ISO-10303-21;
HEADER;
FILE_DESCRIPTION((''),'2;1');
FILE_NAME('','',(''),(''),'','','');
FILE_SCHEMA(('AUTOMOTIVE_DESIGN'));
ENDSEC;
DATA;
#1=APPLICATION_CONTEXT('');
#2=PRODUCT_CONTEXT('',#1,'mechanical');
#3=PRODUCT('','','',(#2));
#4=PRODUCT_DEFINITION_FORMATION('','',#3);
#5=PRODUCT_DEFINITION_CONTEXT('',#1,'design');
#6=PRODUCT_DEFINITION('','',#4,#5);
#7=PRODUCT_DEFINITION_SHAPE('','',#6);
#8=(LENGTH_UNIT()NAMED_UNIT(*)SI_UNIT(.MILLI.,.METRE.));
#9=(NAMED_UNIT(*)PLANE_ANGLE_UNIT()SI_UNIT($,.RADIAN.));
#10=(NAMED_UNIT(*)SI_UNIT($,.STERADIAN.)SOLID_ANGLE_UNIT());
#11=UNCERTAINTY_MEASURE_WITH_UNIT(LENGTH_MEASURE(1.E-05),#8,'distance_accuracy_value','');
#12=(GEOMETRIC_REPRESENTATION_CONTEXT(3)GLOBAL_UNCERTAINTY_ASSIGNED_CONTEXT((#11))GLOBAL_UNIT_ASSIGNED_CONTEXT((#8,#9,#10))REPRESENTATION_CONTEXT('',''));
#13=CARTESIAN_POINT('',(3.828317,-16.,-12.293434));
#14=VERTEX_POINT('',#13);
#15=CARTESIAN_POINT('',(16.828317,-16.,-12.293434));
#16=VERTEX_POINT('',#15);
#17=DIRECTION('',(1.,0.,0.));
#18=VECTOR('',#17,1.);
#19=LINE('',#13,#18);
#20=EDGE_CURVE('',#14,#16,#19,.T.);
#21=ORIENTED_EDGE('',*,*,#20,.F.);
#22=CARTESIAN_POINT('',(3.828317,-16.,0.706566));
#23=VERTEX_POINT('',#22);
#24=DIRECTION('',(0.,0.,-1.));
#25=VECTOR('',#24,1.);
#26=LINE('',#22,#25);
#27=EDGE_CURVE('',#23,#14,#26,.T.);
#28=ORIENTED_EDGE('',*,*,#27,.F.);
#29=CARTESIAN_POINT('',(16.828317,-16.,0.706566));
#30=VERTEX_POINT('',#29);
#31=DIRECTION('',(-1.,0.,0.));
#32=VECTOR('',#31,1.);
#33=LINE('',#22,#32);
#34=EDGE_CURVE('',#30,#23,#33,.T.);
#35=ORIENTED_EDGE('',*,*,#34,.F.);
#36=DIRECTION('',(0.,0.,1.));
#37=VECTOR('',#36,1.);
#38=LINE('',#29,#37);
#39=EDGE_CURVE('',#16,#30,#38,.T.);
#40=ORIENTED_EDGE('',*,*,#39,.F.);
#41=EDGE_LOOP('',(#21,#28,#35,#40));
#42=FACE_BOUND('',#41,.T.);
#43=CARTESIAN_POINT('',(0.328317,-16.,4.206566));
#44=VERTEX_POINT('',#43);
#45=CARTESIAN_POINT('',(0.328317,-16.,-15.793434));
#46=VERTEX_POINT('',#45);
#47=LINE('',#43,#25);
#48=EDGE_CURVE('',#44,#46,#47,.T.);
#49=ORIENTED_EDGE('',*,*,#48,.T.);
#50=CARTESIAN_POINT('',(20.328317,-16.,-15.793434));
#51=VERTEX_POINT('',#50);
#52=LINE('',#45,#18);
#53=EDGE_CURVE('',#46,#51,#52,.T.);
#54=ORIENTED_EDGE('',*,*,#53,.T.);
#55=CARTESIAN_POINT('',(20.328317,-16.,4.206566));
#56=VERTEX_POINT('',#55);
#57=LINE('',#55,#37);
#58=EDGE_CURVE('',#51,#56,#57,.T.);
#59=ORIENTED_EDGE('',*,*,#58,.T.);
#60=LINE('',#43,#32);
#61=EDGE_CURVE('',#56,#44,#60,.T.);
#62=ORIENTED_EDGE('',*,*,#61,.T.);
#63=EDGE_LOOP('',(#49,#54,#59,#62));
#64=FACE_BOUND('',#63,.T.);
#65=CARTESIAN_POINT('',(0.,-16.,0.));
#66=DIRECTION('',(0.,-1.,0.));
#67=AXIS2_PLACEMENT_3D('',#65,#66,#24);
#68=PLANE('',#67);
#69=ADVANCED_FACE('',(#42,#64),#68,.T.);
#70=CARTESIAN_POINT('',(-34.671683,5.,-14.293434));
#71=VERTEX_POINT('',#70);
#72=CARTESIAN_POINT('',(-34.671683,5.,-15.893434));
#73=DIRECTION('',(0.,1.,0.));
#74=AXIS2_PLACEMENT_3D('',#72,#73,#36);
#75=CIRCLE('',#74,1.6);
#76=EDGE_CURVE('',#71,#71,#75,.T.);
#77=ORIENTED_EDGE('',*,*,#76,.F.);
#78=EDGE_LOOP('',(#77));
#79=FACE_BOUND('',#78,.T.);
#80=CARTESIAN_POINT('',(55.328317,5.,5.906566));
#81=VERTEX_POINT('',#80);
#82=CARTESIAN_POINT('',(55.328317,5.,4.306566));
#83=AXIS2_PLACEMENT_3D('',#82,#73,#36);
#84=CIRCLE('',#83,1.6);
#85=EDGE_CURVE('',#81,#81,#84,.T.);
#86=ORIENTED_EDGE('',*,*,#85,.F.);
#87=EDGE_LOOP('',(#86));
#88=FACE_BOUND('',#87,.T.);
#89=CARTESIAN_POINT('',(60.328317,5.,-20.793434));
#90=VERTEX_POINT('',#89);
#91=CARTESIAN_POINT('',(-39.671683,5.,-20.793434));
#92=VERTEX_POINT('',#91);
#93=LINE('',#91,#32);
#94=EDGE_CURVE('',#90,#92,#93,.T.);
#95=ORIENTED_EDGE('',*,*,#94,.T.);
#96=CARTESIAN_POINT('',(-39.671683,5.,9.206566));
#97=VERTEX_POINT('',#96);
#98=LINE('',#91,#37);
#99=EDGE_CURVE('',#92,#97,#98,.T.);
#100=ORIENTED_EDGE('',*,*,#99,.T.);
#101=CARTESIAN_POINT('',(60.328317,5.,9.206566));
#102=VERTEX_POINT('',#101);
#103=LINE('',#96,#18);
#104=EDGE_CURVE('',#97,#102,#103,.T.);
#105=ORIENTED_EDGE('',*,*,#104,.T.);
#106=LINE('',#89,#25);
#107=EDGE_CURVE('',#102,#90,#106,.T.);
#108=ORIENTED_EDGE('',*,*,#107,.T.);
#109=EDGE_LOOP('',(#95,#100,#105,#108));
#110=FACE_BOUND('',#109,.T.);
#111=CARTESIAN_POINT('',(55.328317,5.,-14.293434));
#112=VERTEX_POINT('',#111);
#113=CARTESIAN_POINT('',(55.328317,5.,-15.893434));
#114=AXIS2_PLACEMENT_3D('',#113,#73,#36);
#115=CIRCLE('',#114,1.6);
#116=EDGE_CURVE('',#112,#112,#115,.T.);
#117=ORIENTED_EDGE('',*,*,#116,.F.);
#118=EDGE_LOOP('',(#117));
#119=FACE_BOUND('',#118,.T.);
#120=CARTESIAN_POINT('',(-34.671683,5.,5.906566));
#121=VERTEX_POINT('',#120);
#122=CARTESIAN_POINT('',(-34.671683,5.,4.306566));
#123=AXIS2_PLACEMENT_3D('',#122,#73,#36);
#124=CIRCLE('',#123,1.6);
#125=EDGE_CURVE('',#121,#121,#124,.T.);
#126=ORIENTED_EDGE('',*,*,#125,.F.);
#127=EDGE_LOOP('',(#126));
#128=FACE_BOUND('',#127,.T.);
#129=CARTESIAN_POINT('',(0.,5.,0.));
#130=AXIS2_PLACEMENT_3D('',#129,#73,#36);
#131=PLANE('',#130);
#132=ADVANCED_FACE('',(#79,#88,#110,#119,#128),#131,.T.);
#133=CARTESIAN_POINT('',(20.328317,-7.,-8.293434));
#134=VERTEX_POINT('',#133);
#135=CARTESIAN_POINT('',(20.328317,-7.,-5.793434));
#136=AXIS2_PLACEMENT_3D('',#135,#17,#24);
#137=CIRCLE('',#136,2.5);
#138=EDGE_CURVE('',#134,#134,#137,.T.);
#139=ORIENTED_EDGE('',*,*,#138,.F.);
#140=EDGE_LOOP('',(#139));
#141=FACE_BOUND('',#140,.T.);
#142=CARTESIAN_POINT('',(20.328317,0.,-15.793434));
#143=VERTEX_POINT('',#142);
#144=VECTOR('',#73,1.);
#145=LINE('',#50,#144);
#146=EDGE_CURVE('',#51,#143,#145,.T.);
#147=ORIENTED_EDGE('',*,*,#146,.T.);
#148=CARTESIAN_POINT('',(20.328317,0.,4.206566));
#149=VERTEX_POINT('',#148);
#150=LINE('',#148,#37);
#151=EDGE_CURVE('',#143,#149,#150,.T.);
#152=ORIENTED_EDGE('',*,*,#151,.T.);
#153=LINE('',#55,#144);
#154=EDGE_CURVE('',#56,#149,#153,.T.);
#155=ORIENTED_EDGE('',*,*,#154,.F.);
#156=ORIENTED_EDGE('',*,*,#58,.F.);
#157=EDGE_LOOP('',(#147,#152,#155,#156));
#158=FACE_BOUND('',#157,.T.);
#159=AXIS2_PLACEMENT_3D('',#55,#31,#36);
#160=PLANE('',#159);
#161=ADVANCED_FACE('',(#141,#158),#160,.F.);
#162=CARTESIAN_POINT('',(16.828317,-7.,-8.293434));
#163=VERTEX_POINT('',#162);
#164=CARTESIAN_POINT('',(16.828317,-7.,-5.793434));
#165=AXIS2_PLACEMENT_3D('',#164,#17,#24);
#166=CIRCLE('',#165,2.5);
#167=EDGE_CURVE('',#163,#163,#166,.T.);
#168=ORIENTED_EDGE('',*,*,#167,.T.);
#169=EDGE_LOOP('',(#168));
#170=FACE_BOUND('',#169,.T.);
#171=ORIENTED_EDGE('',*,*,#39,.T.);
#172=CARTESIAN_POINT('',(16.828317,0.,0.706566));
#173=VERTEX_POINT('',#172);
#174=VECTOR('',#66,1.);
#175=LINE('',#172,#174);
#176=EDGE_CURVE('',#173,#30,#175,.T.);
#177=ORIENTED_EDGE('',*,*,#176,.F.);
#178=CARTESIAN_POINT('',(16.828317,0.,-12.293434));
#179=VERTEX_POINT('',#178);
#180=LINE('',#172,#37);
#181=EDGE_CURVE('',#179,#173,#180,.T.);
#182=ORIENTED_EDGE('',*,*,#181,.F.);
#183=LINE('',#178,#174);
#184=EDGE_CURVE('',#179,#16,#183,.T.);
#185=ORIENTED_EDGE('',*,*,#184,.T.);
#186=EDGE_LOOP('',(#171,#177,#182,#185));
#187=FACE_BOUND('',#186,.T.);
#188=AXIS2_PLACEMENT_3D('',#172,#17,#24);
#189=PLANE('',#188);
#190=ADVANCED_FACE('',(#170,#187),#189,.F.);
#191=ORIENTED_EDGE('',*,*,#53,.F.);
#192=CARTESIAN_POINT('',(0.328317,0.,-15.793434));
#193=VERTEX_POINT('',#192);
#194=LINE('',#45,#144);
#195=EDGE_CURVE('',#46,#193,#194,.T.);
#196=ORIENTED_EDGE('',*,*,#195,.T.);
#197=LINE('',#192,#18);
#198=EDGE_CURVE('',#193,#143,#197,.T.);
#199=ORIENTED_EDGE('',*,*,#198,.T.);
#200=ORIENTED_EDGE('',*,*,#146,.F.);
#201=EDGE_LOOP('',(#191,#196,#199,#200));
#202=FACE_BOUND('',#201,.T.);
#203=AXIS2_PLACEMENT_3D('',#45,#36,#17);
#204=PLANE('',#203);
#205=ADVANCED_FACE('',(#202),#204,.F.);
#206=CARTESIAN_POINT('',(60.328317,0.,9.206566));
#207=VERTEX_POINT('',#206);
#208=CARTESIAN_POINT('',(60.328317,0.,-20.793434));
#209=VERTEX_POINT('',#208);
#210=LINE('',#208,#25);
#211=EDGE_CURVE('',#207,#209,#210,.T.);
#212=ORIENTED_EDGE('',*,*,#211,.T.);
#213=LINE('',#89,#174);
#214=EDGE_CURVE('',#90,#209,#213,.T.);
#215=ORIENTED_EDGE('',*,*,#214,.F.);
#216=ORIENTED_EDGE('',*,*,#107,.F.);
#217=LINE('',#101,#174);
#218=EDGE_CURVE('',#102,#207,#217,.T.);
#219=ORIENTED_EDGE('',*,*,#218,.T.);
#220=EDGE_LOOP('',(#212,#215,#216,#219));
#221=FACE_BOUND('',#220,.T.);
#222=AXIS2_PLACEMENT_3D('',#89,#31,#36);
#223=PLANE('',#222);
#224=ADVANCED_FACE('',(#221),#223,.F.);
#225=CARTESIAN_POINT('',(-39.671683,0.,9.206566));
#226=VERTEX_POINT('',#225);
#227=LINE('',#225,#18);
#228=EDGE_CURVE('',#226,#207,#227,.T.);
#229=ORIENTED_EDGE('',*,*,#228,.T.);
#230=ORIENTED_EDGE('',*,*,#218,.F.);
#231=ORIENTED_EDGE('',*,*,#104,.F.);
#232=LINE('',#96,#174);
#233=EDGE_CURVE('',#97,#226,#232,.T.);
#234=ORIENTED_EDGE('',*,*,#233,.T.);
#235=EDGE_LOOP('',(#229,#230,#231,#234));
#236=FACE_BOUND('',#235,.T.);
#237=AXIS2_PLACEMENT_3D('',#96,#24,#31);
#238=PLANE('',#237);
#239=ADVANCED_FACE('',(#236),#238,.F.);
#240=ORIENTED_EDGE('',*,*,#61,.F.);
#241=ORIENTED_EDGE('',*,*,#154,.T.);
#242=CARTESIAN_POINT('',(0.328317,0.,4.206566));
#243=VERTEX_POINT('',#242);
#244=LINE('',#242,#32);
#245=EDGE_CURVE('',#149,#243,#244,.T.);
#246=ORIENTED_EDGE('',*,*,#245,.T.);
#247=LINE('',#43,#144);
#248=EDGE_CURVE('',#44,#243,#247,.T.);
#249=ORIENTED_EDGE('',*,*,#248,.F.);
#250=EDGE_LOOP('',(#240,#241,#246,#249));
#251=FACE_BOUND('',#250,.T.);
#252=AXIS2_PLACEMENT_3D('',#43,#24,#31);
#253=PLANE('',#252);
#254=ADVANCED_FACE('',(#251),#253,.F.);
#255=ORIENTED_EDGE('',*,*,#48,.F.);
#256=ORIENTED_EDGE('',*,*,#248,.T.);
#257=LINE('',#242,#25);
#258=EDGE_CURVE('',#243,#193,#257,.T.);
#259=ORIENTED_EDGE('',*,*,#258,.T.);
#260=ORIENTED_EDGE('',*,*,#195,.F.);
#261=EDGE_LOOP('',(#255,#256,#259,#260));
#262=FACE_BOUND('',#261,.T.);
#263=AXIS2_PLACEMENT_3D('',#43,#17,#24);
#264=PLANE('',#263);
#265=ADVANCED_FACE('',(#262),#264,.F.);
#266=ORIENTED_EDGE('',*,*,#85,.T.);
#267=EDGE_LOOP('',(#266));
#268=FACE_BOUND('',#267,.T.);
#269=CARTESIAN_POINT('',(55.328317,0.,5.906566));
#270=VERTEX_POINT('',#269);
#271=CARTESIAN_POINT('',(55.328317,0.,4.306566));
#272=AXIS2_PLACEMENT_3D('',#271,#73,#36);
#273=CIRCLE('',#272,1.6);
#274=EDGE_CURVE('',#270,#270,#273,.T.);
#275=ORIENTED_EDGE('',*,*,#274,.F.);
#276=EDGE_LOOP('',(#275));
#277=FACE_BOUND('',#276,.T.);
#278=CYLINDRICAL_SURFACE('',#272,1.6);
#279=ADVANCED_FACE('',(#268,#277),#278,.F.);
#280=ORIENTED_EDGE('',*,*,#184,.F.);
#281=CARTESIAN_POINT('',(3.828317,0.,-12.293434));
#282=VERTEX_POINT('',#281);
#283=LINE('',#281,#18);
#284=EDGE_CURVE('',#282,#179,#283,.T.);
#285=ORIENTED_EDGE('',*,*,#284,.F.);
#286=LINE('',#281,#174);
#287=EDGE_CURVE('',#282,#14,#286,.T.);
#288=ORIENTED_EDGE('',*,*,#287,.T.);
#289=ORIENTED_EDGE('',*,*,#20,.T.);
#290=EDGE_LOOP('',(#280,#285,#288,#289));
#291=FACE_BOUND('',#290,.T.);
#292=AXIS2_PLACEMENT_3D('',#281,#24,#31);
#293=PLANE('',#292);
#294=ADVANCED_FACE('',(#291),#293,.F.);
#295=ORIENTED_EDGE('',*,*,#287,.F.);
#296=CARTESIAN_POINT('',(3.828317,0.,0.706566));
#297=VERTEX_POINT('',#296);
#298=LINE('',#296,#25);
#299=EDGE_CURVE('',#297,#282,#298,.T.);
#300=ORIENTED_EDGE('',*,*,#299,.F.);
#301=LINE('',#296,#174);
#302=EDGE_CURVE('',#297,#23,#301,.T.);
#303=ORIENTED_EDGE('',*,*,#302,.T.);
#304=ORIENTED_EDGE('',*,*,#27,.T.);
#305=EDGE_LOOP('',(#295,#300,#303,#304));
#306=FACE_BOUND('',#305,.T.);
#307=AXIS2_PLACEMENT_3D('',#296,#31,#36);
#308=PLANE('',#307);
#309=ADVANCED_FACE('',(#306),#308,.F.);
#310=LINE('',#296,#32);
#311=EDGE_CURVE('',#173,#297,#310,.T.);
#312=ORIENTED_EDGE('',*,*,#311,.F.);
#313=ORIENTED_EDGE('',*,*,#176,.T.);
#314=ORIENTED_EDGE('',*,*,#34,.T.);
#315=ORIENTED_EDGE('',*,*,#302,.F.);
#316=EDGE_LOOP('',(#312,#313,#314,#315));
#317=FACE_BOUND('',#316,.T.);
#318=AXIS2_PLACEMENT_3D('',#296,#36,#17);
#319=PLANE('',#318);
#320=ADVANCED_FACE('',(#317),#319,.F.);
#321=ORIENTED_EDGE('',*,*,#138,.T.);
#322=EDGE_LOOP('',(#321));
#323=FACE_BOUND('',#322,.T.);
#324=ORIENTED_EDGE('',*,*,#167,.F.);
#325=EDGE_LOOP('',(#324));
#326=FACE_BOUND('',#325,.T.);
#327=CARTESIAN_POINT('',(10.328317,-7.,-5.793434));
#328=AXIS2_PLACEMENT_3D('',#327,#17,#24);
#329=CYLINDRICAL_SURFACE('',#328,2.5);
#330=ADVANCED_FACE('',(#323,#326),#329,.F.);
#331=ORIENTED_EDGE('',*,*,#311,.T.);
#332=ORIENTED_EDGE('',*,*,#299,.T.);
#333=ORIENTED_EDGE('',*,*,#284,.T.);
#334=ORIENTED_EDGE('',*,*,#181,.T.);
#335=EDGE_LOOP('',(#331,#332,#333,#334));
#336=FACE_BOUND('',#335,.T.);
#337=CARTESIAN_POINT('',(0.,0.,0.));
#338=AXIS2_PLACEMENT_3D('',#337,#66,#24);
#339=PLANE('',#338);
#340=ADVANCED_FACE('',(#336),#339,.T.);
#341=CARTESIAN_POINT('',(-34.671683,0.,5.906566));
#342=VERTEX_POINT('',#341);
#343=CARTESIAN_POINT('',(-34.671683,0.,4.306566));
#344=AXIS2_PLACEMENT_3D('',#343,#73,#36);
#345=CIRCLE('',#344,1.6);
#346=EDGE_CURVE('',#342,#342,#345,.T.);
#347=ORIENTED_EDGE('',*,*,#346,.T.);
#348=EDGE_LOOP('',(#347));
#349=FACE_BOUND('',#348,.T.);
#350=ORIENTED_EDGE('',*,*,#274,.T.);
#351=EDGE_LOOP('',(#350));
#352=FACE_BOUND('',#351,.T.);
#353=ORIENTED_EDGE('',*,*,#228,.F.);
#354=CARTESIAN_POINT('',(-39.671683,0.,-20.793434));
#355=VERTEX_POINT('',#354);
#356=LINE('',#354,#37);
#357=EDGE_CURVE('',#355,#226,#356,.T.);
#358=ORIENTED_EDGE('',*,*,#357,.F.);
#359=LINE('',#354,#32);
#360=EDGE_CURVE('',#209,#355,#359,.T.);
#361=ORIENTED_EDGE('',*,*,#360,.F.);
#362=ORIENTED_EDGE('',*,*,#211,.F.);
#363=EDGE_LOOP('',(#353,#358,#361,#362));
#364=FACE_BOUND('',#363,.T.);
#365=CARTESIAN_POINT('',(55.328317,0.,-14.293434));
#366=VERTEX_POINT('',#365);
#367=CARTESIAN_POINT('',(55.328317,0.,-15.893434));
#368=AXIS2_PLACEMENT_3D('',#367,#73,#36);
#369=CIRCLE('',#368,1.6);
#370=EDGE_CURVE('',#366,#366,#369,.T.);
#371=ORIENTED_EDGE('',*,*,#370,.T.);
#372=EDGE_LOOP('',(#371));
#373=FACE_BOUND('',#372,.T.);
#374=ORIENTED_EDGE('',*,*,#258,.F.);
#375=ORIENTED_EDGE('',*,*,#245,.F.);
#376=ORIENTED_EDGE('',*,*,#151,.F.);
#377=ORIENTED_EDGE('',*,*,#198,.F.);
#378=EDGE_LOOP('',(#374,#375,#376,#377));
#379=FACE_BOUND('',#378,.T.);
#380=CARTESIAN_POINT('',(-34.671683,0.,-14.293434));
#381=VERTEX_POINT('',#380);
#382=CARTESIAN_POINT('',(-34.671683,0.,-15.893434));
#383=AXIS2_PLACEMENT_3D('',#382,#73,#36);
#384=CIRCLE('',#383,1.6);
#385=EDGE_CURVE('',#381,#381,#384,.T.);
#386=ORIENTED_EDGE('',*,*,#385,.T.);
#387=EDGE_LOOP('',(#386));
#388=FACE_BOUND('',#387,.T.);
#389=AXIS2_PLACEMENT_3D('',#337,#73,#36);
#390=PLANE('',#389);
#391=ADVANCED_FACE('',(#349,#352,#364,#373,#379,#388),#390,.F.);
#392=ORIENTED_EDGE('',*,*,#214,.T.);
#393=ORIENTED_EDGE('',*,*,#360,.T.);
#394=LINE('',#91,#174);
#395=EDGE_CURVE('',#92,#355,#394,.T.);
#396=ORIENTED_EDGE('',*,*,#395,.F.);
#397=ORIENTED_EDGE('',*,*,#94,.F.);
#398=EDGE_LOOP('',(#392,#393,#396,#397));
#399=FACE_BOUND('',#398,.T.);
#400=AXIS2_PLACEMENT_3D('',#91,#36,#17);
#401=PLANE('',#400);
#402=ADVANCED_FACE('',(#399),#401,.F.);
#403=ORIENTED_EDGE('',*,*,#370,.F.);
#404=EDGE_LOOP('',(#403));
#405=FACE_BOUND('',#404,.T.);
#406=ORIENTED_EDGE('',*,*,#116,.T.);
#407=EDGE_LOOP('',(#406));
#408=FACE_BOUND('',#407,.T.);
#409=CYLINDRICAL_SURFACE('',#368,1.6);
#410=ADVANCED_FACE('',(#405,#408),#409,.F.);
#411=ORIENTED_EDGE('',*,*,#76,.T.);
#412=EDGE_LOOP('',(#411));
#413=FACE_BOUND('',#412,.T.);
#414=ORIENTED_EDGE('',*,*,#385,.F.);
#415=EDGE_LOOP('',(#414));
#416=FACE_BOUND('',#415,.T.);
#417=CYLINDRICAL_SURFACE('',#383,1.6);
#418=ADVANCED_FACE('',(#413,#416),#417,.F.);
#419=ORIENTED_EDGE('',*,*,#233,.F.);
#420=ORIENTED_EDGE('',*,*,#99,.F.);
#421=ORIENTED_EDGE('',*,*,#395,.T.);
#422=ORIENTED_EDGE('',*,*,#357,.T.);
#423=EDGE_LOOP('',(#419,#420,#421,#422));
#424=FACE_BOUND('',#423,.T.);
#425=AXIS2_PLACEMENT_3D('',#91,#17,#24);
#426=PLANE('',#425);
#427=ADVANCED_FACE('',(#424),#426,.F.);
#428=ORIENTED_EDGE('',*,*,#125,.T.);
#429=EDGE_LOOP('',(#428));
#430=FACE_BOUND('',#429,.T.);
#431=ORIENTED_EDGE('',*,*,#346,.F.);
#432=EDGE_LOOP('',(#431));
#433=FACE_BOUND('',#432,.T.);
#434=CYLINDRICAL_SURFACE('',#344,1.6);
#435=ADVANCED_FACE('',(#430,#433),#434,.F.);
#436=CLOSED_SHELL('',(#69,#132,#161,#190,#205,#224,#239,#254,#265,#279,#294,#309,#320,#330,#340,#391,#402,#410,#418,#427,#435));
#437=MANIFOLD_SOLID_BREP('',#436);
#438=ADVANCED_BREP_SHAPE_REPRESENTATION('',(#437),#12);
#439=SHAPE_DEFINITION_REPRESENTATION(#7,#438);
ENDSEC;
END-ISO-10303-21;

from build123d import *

# Parameters (mm, degrees)
SKETCH_1_W          = 100
SKETCH_1_H          = 30
EXTRUDE_1_DEPTH     = 5
SKETCH_2_R          = 1.6
CUT_EXTRUDE_1_DEPTH = 5
SKETCH_3_W          = 20
SKETCH_3_H          = 20
EXTRUDE_2_DEPTH     = 16
SKETCH_4_W          = 13
SKETCH_4_H          = 13
CUT_EXTRUDE_2_DEPTH = 16
SKETCH_5_R          = 2.5
CUT_EXTRUDE_3_DEPTH = 10


with BuildPart() as part:
    # Эскиз1 → Бобышка-Вытянуть1 (new body)
    with BuildSketch(Plane(origin=(0, 0, 0), x_dir=(1, 0, 0), z_dir=(0, 1, 0))):
        with Locations((10.328317373, 5.793433653)):
            Rectangle(SKETCH_1_W, SKETCH_1_H)
    extrude(amount=EXTRUDE_1_DEPTH)

    # Эскиз2 → Вырез-Вытянуть1 (cut)
    with BuildSketch(Plane(origin=(0, 5, 0), x_dir=(1, 0, 0), z_dir=(0, 1, 0))):
        with Locations(Location((-34.671682627, 15.893433653, 0), (0, 0, 270))):
            Circle(SKETCH_2_R)
        with Locations(Location((-34.671682627, -4.306566347, 0), (0, 0, 270))):
            Circle(SKETCH_2_R)
        with Locations(Location((55.328317373, 15.893433653, 0), (0, 0, 270))):
            Circle(SKETCH_2_R)
        with Locations(Location((55.328317373, -4.306566347, 0), (0, 0, 270))):
            Circle(SKETCH_2_R)
    extrude(amount=-CUT_EXTRUDE_1_DEPTH, mode=Mode.SUBTRACT)

    # Эскиз3 → Бобышка-Вытянуть2 (add)
    with BuildSketch(Plane.XZ):
        with Locations((10.328317373, -5.793433653)):
            Rectangle(SKETCH_3_W, SKETCH_3_H)
    extrude(amount=EXTRUDE_2_DEPTH)

    # Эскиз4 → Вырез-Вытянуть2 (cut)
    with BuildSketch(Plane.XZ.offset(16)):
        with Locations((10.328317373, -5.793433653)):
            Rectangle(SKETCH_4_W, SKETCH_4_H)
    extrude(amount=-CUT_EXTRUDE_2_DEPTH, mode=Mode.SUBTRACT)

    # Эскиз5 → Вырез-Вытянуть3 (cut)
    with BuildSketch(Plane(origin=(20.328317373, 0, 0), x_dir=(0, 0, -1), z_dir=(1, 0, 0))):
        with Locations((5.793433653, -7)):
            Circle(SKETCH_5_R)
    extrude(amount=-CUT_EXTRUDE_3_DEPTH, mode=Mode.SUBTRACT)


solid = part.part
